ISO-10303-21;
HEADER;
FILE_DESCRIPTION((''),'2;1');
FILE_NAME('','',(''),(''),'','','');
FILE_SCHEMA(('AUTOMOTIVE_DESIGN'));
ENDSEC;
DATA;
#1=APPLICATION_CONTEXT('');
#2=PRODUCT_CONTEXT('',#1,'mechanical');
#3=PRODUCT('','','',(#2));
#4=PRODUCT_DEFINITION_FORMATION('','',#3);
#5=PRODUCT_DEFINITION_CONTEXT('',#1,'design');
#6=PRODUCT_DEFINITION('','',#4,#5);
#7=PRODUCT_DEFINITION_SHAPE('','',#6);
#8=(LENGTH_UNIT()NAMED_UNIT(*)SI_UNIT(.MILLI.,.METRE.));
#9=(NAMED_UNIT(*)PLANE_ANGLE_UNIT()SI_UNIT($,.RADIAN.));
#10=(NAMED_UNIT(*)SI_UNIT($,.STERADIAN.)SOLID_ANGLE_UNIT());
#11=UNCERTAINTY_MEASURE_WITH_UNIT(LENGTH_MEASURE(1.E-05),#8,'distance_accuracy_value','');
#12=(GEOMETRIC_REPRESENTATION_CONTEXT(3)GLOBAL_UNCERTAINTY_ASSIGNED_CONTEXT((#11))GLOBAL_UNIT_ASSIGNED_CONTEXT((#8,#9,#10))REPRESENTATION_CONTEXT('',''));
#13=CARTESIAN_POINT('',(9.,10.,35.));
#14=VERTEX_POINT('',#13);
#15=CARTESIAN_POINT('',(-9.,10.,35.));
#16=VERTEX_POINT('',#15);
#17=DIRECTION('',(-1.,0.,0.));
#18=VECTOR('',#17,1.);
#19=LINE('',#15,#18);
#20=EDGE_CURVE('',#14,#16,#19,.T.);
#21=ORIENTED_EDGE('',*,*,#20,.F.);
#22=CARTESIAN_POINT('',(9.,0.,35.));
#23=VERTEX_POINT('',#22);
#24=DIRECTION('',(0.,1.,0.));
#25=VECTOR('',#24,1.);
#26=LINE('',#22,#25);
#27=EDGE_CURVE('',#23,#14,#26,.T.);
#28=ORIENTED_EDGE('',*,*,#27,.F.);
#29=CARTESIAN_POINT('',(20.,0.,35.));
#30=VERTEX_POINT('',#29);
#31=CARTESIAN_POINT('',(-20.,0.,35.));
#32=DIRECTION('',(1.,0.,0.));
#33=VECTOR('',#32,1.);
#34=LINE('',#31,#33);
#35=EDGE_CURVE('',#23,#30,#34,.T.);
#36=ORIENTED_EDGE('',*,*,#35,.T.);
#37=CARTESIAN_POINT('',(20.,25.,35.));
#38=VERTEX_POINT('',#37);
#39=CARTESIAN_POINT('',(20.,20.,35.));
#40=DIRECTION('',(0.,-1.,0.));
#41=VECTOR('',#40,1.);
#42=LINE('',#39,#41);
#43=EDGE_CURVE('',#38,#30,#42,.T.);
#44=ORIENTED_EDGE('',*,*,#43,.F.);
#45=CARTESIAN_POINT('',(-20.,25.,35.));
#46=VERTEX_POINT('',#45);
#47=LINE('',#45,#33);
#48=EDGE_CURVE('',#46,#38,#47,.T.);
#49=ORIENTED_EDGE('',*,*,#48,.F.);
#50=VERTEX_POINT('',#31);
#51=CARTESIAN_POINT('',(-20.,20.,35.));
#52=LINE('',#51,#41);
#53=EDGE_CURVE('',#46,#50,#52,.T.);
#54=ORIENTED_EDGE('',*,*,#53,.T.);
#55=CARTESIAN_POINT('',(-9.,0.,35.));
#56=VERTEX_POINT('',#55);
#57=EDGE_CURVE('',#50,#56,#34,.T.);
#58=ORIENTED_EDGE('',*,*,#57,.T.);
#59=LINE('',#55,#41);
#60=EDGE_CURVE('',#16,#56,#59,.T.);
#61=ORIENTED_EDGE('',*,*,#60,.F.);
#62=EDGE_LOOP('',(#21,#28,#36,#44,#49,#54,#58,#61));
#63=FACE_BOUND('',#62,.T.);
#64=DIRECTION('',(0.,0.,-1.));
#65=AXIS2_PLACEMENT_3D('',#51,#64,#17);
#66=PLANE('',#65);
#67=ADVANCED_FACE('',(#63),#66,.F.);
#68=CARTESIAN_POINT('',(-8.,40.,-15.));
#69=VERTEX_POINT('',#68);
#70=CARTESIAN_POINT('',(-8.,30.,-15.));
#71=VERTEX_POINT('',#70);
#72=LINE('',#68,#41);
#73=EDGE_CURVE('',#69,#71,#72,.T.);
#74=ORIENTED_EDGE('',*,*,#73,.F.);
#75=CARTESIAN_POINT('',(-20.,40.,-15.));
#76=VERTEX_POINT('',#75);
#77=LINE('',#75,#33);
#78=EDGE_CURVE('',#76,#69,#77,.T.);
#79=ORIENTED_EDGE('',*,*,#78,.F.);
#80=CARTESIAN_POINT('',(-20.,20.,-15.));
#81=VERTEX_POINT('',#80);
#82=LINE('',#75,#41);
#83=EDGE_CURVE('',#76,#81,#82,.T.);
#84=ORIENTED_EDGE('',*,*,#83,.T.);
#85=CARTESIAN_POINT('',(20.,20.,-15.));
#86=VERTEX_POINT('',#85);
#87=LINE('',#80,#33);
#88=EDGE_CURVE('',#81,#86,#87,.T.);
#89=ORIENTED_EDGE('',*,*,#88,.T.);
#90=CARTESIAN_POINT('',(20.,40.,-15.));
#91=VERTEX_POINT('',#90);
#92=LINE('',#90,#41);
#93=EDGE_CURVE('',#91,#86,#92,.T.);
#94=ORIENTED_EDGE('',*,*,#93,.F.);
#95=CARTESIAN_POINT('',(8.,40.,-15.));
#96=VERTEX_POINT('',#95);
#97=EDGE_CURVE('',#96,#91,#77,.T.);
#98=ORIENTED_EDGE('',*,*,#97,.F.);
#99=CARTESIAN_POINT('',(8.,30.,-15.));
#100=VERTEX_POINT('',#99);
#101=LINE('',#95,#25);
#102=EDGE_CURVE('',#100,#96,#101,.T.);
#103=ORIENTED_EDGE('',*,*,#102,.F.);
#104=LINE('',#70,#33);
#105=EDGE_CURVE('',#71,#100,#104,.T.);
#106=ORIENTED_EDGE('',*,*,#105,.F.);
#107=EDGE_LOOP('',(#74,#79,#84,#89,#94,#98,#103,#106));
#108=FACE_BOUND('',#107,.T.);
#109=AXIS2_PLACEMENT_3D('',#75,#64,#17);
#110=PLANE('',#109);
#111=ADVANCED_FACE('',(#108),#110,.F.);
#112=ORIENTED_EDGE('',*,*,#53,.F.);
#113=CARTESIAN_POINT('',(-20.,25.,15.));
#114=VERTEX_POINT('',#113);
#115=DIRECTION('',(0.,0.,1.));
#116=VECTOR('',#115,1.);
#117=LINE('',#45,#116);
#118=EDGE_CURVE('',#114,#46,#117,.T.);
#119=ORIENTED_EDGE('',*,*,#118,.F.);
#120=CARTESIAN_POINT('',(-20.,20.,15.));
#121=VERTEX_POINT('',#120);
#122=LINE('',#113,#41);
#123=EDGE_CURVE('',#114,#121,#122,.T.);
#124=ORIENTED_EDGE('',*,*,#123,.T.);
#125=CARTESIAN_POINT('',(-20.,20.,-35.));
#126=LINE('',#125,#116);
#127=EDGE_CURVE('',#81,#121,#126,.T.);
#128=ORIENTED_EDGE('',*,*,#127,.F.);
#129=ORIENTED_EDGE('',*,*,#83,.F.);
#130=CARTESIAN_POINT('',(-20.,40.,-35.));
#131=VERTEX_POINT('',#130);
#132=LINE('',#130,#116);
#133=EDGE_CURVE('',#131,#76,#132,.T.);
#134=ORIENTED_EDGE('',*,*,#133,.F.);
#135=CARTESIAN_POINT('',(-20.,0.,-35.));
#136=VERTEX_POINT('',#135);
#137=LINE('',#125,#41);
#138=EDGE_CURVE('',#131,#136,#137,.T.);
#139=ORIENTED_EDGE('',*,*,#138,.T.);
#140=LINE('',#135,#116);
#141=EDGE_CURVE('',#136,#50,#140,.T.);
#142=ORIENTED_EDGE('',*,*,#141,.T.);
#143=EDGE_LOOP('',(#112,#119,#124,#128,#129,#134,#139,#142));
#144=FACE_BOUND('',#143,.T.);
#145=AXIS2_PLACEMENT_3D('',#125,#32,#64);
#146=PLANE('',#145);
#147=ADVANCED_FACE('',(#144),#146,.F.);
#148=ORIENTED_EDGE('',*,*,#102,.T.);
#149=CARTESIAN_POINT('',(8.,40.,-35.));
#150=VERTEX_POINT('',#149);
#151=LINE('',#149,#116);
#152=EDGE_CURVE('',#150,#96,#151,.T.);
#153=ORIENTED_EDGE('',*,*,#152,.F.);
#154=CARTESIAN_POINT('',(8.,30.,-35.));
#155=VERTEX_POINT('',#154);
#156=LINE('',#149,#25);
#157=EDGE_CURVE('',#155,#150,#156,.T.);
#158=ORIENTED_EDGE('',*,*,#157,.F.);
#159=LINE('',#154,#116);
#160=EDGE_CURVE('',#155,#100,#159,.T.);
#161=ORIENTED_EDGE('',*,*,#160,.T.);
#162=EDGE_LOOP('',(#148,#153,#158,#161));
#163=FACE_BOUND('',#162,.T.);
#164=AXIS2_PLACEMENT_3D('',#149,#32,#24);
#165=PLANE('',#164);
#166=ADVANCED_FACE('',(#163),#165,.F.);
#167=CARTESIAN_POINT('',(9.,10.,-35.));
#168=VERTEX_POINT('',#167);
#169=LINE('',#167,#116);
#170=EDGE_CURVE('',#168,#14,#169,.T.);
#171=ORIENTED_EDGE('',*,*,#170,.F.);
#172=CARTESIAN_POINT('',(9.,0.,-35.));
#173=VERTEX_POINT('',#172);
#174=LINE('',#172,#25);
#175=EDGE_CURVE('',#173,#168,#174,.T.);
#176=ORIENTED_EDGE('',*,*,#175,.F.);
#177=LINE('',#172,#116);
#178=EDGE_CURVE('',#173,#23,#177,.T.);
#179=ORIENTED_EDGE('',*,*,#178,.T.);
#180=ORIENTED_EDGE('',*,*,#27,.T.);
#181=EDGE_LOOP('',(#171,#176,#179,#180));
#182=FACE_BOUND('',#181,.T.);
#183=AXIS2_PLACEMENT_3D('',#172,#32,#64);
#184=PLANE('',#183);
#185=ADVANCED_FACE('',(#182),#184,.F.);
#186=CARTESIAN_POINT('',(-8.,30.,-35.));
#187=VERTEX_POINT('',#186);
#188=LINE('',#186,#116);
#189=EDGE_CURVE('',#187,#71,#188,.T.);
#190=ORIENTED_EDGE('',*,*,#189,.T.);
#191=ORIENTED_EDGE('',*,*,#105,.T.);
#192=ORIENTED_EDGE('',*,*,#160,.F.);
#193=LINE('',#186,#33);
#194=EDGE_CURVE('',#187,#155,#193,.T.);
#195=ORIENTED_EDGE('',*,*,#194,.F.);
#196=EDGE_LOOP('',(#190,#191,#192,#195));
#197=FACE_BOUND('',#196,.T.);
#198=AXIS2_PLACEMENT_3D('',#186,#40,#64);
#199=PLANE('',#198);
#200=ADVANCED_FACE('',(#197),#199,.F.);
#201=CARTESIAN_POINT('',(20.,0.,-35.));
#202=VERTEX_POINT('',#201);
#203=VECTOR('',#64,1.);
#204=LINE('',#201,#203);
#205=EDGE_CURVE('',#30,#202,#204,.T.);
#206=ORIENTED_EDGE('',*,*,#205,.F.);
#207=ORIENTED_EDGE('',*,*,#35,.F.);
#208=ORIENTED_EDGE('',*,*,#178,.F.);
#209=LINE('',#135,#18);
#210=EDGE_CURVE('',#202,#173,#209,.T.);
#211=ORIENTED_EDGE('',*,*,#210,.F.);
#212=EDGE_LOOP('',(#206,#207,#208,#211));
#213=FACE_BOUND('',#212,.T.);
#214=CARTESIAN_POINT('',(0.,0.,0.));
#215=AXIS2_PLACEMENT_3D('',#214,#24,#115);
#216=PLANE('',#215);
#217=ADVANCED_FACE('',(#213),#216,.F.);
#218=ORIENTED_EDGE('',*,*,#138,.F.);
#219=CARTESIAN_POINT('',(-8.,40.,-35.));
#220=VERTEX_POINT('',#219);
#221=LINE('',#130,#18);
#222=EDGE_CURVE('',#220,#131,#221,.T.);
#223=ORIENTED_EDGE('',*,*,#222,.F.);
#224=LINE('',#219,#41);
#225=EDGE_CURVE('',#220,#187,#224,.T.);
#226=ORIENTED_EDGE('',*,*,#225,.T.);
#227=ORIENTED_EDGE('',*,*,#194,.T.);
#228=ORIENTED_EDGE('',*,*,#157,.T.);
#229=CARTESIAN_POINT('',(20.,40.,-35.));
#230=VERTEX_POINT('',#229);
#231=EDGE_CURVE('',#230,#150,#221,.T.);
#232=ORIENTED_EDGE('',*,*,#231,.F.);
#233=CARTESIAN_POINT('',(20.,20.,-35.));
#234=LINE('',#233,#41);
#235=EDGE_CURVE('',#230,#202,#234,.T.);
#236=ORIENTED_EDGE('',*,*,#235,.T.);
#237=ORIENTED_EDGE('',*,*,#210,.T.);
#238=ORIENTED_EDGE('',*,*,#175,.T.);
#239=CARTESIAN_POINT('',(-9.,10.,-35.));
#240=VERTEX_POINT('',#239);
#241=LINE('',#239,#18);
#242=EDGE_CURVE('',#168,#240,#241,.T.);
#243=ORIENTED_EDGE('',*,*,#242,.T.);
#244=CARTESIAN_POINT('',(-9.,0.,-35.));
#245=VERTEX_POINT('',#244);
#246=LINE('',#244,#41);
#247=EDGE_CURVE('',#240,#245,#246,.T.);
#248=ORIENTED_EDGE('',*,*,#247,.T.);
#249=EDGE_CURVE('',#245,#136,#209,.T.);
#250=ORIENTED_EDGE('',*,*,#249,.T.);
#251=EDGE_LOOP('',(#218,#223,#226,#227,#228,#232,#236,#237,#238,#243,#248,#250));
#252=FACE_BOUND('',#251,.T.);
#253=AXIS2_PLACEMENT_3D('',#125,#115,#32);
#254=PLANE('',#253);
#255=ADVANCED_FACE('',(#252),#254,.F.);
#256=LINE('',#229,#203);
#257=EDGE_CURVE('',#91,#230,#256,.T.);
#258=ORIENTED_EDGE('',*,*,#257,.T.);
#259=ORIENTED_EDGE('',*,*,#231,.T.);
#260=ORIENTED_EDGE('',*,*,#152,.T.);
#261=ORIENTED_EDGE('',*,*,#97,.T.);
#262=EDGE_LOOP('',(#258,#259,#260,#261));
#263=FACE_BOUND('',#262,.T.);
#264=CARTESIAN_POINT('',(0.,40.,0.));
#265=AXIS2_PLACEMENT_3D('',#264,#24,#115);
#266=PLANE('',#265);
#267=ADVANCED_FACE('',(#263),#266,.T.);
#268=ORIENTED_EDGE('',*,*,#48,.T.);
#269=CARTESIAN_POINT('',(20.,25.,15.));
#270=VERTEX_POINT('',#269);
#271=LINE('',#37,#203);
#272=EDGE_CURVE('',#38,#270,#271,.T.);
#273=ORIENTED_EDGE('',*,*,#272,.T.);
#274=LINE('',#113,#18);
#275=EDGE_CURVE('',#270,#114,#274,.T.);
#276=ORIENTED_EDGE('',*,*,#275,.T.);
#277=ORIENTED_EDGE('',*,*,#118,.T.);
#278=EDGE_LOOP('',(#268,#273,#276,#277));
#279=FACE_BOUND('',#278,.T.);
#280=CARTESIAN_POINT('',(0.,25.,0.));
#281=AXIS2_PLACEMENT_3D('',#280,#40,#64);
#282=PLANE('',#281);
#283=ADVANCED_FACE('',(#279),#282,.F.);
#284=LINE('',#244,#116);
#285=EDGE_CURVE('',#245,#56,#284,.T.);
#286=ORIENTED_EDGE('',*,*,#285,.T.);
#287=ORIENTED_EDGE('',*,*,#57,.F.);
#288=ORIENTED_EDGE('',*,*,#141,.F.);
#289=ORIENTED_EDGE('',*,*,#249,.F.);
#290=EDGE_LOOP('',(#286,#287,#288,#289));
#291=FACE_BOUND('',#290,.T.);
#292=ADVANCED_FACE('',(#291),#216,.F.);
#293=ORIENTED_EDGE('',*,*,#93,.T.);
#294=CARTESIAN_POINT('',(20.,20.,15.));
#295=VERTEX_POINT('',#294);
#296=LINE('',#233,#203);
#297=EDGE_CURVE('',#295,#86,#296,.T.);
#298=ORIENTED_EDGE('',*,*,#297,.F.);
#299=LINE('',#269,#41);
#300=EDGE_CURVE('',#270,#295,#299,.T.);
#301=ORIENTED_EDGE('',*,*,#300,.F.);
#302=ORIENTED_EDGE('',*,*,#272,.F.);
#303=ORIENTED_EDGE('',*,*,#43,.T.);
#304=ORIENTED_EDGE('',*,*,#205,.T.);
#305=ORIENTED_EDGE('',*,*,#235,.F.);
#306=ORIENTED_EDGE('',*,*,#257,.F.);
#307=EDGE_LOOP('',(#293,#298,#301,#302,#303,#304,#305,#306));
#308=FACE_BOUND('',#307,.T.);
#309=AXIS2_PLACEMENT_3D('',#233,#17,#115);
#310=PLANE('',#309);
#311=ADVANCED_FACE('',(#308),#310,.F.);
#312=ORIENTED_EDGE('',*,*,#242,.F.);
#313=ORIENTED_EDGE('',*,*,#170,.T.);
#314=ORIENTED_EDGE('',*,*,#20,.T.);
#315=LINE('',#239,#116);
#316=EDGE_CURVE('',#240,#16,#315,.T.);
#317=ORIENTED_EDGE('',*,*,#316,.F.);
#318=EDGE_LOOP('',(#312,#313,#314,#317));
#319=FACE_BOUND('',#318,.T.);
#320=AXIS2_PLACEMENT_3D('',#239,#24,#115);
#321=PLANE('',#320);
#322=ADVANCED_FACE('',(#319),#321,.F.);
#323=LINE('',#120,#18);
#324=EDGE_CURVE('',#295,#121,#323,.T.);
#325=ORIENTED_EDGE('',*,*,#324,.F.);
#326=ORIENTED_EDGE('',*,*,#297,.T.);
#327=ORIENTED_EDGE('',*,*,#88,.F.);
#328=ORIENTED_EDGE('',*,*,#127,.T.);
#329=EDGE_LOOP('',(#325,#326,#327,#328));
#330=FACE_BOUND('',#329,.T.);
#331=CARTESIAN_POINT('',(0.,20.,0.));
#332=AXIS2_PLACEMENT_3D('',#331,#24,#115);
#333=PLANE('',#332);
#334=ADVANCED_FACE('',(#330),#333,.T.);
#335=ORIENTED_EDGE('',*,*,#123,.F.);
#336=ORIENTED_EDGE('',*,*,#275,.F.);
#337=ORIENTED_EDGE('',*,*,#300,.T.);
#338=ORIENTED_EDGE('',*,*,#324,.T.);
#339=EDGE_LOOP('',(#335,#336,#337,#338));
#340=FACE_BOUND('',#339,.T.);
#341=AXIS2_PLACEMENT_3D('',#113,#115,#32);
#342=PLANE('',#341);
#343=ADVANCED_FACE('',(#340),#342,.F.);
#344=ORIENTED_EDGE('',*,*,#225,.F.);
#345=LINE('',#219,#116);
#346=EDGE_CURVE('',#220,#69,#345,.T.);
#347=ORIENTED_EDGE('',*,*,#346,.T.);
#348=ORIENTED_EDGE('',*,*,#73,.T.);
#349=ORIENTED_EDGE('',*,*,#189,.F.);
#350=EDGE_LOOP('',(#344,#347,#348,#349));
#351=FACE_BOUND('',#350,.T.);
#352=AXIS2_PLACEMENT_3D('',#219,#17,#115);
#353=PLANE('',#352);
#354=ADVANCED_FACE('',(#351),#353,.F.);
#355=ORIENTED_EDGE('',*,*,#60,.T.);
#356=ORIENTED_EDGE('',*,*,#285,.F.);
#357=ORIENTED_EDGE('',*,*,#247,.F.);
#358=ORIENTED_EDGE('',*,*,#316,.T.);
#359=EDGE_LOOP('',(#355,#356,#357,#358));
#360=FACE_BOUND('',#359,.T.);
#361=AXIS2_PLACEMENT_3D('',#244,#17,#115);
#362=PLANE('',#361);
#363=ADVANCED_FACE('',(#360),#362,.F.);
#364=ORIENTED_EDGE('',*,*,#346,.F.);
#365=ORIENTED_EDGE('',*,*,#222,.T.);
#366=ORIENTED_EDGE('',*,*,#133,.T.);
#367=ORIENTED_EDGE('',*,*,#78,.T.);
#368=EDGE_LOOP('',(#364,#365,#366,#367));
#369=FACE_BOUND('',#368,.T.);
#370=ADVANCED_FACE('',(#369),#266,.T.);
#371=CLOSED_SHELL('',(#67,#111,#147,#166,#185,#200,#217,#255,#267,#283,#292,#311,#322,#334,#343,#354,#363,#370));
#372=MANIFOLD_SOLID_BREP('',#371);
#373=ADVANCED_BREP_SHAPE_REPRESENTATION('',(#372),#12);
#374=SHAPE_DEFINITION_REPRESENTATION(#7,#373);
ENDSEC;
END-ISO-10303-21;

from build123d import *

# Parameters (mm, degrees)
IZIM1_W                     = 40
IZIM1_H                     = 70
Y_KSEKLIK_EKSTR_ZYON1_DEPTH = 20
IZIM2_W                     = 18
IZIM2_H                     = 10
KES_EKSTR_ZYON1_DEPTH       = 71
IZIM3_W                     = 40
IZIM3_H                     = 20
Y_KSEKLIK_EKSTR_ZYON2_DEPTH = 5
IZIM4_W                     = 40
IZIM4_H                     = 20
Y_KSEKLIK_EKSTR_ZYON3_DEPTH = 20
IZIM5_W                     = 16
IZIM5_H                     = 10
KES_EKSTR_ZYON2_DEPTH       = 21


with BuildPart() as part:
    # Çizim1 → Yükseklik-Ekstrüzyon1 (new body)
    with BuildSketch(Plane(origin=(0, 0, 0), x_dir=(1, 0, 0), z_dir=(0, 1, 0))):
        Rectangle(IZIM1_W, IZIM1_H)
    extrude(amount=Y_KSEKLIK_EKSTR_ZYON1_DEPTH)

    # Çizim2 → Kes-Ekstrüzyon1 (cut, through all)
    with BuildSketch(Plane.XY.offset(35)):
        with Locations((0, 5)):
            Rectangle(IZIM2_W, IZIM2_H)
    extrude(amount=-KES_EKSTR_ZYON1_DEPTH, mode=Mode.SUBTRACT)

    # Çizim3 → Yükseklik-Ekstrüzyon2 (add)
    with BuildSketch(Plane(origin=(0, 20, 0), x_dir=(1, 0, 0), z_dir=(0, 1, 0))):
        with Locations((0, -25)):
            Rectangle(IZIM3_W, IZIM3_H)
    extrude(amount=Y_KSEKLIK_EKSTR_ZYON2_DEPTH)

    # Çizim4 → Yükseklik-Ekstrüzyon3 (add)
    with BuildSketch(Plane(origin=(0, 20, 0), x_dir=(1, 0, 0), z_dir=(0, 1, 0))):
        with Locations((0, 25)):
            Rectangle(IZIM4_W, IZIM4_H)
    extrude(amount=Y_KSEKLIK_EKSTR_ZYON3_DEPTH)

    # Çizim5 → Kes-Ekstrüzyon2 (cut, through all)
    with BuildSketch(Plane.XY.offset(-15)):
        with Locations((0, 35)):
            Rectangle(IZIM5_W, IZIM5_H)
    extrude(amount=-KES_EKSTR_ZYON2_DEPTH, mode=Mode.SUBTRACT)


solid = part.part
